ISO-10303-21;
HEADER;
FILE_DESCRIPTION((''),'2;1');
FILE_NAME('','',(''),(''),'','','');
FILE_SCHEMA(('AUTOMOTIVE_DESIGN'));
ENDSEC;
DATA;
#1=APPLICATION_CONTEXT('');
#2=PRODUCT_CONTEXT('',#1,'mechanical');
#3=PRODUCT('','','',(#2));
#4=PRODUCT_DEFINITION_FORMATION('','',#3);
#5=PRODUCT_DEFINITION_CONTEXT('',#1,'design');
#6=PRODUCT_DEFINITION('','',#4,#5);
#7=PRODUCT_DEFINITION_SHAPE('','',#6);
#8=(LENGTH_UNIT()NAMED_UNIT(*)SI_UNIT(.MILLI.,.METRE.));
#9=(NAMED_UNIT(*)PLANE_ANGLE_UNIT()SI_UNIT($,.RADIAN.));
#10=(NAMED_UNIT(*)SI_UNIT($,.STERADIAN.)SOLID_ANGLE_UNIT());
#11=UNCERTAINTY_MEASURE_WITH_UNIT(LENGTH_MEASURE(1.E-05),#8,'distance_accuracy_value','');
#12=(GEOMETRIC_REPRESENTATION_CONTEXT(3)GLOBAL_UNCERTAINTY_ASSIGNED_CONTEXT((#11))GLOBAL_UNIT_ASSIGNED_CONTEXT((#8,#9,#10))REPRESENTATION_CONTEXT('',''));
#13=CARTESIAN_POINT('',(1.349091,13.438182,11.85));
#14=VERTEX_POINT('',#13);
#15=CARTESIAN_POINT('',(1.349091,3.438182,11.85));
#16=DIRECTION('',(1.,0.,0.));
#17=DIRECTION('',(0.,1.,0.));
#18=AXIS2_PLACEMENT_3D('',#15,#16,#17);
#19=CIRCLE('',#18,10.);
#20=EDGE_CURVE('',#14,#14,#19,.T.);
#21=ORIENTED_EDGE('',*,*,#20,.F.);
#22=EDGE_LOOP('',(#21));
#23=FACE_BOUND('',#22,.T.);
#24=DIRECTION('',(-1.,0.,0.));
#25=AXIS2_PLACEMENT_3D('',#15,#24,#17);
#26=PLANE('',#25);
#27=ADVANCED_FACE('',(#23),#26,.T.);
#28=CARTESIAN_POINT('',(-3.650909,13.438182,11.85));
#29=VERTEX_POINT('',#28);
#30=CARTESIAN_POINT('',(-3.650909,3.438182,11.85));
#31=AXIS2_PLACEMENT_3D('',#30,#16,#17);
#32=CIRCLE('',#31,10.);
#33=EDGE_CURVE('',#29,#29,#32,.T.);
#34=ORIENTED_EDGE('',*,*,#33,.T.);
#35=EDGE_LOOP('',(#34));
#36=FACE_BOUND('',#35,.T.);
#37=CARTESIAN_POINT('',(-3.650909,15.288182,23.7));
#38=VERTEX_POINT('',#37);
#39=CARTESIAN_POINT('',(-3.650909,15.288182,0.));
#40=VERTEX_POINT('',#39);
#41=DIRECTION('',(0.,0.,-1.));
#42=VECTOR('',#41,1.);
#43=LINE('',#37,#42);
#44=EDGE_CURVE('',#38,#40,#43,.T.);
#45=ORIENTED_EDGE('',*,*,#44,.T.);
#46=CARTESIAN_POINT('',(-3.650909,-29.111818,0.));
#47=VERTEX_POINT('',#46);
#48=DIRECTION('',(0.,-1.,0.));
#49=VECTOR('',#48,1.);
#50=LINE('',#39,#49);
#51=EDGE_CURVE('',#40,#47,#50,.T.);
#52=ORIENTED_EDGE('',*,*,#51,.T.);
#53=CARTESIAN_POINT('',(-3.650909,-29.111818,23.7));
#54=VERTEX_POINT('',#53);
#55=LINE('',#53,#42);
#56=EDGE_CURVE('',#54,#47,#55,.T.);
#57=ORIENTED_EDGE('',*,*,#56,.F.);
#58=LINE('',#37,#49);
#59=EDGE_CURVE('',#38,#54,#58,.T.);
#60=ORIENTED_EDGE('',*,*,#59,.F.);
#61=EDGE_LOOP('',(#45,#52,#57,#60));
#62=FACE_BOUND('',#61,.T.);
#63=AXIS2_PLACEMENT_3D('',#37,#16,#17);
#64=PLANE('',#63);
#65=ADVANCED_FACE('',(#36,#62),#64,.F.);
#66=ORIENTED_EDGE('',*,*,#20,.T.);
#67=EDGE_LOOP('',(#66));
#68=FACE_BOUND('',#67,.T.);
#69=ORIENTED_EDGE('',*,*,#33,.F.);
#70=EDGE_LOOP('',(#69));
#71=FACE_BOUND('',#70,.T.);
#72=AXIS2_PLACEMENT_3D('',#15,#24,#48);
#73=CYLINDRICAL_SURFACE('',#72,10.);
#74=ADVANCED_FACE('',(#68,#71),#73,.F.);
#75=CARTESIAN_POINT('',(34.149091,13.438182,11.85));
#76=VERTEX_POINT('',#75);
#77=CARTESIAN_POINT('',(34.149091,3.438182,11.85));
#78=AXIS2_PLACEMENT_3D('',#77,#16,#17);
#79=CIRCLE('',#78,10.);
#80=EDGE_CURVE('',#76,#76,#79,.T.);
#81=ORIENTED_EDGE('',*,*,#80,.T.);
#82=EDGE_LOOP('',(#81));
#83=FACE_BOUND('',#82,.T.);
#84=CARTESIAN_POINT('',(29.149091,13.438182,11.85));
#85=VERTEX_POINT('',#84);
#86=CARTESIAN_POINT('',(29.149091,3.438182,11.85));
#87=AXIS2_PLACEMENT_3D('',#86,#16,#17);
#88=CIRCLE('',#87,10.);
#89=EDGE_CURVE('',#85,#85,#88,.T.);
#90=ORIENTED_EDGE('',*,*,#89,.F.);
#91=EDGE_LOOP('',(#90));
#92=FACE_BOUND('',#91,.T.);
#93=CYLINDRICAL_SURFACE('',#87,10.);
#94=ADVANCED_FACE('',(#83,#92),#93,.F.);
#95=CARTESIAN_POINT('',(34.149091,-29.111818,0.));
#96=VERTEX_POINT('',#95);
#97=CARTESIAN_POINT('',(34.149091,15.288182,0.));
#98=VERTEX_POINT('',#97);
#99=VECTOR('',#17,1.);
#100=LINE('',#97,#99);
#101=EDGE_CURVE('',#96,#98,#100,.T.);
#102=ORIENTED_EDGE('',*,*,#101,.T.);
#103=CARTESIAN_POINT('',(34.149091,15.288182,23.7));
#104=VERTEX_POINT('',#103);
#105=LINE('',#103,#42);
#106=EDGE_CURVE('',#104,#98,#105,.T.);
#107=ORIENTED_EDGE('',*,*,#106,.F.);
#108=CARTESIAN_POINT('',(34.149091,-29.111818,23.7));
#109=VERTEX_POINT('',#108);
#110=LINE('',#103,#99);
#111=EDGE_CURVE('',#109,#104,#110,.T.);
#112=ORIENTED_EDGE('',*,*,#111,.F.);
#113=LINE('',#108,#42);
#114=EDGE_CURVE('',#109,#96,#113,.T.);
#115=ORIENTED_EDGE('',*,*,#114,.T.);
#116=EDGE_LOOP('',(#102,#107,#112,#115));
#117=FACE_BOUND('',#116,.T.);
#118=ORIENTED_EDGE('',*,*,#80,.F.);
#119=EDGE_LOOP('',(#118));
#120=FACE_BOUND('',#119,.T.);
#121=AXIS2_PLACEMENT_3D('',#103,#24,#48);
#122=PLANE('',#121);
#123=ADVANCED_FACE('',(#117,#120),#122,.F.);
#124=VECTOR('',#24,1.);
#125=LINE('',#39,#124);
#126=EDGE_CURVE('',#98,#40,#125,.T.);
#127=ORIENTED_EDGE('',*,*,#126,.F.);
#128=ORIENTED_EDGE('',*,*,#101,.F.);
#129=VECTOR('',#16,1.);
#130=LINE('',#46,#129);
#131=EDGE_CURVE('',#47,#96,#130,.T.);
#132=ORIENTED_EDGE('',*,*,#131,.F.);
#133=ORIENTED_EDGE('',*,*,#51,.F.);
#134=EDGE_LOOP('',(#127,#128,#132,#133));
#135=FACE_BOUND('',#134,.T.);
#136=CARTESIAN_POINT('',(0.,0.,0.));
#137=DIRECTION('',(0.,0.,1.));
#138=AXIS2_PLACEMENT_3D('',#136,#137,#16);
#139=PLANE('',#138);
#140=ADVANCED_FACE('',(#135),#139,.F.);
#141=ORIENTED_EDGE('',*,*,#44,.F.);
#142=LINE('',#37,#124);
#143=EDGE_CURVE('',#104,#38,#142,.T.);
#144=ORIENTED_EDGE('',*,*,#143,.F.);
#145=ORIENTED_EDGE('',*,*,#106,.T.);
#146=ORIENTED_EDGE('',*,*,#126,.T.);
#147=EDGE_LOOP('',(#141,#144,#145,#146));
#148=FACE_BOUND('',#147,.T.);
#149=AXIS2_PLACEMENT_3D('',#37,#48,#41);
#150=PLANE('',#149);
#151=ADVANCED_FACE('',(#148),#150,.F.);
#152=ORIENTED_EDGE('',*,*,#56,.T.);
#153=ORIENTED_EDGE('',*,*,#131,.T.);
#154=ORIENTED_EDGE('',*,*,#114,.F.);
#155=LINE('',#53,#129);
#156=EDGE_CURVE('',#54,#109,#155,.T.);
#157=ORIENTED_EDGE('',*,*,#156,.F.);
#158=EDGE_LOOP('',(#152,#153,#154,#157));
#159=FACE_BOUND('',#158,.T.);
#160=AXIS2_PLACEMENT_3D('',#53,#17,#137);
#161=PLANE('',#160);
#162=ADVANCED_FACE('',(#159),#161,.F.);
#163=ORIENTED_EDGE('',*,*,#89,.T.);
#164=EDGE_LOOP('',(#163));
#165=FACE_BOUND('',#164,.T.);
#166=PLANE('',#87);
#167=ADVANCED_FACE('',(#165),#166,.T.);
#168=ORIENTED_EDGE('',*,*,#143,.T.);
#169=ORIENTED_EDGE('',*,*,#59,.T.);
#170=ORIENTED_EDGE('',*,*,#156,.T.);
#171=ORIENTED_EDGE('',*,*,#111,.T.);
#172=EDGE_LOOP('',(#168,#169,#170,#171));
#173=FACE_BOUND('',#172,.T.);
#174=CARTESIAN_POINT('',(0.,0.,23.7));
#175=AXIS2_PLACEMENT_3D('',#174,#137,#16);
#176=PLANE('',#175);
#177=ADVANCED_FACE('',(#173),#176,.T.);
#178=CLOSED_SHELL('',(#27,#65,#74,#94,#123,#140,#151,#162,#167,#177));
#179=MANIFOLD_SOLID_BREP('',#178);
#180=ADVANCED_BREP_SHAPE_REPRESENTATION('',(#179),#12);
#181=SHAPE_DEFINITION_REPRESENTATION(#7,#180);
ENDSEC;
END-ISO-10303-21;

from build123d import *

# Parameters (mm, degrees)
SKETCH1_W           = 37.8
SKETCH1_H           = 44.4
BOSS_EXTRUDE1_DEPTH = 23.7
SKETCH2_R           = 10
CUT_EXTRUDE1_DEPTH  = 5


with BuildPart() as part:
    # Sketch1 → Boss-Extrude1 (new body)
    with BuildSketch(Plane.XY):
        with Locations((15.249090909, -6.911818182)):
            Rectangle(SKETCH1_W, SKETCH1_H)
    extrude(amount=BOSS_EXTRUDE1_DEPTH)

    # Sketch2 → Cut-Extrude1 (cut)
    with BuildSketch(Plane(origin=(34.149090909, 0, 0), x_dir=(0, 0, -1), z_dir=(1, 0, 0))):
        with Locations((-11.85, 3.438181818)):
            Circle(SKETCH2_R)
    cut_extrude1 = extrude(amount=-CUT_EXTRUDE1_DEPTH, mode=Mode.SUBTRACT)

    # Mirror1: Cut-Extrude1 across plane
    add(cut_extrude1.mirror(Plane(origin=(15.249090909, 0, 0), x_dir=(0, 0, 1), z_dir=(1, 0, 0))), mode=Mode.SUBTRACT)


solid = part.part
